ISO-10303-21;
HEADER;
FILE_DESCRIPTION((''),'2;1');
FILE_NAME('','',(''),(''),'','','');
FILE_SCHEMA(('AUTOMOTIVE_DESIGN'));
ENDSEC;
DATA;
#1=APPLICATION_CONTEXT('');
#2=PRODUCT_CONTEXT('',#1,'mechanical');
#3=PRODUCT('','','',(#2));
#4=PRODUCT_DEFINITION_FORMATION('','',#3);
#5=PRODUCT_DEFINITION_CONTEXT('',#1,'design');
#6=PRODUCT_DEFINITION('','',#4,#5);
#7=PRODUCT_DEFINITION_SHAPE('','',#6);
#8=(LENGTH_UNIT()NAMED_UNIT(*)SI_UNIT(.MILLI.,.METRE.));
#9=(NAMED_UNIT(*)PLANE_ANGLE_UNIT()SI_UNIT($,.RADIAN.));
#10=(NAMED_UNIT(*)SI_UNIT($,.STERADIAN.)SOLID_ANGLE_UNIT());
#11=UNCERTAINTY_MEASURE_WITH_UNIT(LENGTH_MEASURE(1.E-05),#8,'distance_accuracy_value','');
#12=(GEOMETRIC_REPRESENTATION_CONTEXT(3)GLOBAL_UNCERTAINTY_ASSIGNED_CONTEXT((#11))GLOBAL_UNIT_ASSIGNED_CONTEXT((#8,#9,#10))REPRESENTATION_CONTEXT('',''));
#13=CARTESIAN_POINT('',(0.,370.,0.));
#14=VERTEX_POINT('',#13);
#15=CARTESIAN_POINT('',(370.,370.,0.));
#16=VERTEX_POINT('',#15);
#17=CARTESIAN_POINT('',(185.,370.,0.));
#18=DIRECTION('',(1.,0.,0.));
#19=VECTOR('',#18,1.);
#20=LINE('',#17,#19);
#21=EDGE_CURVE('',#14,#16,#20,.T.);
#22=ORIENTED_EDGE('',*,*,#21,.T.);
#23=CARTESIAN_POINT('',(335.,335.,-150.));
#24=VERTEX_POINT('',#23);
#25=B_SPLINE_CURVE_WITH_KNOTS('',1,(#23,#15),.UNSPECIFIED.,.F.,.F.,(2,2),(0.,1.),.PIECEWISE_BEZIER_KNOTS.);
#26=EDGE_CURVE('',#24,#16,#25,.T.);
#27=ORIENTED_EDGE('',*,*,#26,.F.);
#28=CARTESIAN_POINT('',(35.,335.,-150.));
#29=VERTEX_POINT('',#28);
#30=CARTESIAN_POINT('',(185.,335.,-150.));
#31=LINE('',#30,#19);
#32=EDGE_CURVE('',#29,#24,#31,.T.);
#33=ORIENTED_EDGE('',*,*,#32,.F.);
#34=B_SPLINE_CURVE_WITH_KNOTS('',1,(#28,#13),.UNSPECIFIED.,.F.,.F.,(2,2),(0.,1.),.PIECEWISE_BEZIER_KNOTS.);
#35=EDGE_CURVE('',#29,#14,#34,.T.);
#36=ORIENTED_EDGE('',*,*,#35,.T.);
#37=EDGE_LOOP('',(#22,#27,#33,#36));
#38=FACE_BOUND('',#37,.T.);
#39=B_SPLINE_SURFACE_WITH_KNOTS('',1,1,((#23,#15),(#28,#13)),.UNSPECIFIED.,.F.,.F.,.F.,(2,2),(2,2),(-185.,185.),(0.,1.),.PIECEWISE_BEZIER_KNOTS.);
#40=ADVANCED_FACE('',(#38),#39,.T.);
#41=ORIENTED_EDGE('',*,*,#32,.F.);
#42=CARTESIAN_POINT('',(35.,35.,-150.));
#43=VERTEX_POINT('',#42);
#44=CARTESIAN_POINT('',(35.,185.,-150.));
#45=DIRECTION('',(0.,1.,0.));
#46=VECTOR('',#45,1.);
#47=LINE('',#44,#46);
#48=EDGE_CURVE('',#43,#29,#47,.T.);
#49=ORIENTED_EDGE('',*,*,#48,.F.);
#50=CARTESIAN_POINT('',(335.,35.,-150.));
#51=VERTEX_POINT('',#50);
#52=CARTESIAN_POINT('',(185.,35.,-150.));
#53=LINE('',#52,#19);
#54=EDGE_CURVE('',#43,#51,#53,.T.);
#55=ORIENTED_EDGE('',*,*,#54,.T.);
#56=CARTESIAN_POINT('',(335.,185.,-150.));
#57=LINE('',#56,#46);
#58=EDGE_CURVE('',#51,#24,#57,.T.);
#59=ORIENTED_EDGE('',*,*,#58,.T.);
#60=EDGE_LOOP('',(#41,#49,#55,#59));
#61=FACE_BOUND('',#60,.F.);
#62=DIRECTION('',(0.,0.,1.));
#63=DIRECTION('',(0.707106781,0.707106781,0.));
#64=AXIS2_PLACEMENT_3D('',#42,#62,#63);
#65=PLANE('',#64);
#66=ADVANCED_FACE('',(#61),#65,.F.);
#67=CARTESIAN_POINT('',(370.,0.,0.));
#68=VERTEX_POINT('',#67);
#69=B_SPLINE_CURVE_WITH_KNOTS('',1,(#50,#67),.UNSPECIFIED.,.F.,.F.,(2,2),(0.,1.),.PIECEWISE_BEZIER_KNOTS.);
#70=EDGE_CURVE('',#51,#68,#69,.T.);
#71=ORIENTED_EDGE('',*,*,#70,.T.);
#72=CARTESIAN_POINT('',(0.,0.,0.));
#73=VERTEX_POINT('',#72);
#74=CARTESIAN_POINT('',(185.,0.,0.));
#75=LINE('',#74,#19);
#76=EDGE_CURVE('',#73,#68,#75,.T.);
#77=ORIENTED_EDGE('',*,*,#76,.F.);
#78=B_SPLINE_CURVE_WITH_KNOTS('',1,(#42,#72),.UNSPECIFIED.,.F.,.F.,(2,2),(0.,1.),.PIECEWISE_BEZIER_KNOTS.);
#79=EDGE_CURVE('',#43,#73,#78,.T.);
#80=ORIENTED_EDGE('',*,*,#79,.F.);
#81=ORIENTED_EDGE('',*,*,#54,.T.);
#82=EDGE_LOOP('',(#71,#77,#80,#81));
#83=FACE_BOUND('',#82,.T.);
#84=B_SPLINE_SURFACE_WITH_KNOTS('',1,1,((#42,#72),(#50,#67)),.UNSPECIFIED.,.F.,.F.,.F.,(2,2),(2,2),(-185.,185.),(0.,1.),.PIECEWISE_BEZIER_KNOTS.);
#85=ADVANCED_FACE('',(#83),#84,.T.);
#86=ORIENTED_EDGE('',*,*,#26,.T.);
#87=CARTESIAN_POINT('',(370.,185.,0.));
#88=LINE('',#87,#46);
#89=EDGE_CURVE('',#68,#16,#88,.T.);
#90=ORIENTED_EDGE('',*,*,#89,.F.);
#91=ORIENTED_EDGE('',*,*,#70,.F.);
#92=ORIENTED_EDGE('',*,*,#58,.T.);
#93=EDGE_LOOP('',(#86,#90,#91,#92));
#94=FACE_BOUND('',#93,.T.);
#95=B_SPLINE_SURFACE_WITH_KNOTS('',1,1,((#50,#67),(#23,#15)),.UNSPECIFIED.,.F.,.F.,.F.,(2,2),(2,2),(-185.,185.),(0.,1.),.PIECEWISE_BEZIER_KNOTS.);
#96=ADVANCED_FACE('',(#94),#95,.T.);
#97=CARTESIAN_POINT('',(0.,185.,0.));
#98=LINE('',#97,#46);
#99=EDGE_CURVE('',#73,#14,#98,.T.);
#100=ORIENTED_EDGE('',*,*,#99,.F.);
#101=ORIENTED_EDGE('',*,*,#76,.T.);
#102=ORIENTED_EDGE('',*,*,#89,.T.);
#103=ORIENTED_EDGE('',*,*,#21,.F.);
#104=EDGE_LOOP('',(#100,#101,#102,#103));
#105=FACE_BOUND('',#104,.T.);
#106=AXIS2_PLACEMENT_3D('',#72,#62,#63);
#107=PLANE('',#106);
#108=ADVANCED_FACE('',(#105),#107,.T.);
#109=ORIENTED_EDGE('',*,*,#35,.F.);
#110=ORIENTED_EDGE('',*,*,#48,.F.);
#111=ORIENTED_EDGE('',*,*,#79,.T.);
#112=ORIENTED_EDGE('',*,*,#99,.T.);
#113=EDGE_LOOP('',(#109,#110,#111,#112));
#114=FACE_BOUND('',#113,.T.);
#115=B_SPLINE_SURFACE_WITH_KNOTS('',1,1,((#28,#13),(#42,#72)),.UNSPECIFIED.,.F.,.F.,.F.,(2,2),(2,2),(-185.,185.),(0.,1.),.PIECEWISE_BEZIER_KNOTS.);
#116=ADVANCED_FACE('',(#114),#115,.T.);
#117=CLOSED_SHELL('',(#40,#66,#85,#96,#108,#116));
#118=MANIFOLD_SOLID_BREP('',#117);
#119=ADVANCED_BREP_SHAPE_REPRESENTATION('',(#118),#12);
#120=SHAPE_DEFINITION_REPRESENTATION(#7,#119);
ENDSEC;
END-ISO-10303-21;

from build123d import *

# Parameters (mm, degrees)
F2_W = 300
F2_H = 300
F0_W = 370
F0_H = 370


with BuildPart() as f3:
    # F2 (on offset) → F3 section 0
    with BuildSketch(Plane.XY.offset(-150)):
        with Locations((185, 185)):
            Rectangle(F2_W, F2_H)
    # F0 (on Top) → F3 section 1
    with BuildSketch(Plane.XY):
        with Locations((185, 185)):
            Rectangle(F0_W, F0_H)
    loft()


solid = f3.part
